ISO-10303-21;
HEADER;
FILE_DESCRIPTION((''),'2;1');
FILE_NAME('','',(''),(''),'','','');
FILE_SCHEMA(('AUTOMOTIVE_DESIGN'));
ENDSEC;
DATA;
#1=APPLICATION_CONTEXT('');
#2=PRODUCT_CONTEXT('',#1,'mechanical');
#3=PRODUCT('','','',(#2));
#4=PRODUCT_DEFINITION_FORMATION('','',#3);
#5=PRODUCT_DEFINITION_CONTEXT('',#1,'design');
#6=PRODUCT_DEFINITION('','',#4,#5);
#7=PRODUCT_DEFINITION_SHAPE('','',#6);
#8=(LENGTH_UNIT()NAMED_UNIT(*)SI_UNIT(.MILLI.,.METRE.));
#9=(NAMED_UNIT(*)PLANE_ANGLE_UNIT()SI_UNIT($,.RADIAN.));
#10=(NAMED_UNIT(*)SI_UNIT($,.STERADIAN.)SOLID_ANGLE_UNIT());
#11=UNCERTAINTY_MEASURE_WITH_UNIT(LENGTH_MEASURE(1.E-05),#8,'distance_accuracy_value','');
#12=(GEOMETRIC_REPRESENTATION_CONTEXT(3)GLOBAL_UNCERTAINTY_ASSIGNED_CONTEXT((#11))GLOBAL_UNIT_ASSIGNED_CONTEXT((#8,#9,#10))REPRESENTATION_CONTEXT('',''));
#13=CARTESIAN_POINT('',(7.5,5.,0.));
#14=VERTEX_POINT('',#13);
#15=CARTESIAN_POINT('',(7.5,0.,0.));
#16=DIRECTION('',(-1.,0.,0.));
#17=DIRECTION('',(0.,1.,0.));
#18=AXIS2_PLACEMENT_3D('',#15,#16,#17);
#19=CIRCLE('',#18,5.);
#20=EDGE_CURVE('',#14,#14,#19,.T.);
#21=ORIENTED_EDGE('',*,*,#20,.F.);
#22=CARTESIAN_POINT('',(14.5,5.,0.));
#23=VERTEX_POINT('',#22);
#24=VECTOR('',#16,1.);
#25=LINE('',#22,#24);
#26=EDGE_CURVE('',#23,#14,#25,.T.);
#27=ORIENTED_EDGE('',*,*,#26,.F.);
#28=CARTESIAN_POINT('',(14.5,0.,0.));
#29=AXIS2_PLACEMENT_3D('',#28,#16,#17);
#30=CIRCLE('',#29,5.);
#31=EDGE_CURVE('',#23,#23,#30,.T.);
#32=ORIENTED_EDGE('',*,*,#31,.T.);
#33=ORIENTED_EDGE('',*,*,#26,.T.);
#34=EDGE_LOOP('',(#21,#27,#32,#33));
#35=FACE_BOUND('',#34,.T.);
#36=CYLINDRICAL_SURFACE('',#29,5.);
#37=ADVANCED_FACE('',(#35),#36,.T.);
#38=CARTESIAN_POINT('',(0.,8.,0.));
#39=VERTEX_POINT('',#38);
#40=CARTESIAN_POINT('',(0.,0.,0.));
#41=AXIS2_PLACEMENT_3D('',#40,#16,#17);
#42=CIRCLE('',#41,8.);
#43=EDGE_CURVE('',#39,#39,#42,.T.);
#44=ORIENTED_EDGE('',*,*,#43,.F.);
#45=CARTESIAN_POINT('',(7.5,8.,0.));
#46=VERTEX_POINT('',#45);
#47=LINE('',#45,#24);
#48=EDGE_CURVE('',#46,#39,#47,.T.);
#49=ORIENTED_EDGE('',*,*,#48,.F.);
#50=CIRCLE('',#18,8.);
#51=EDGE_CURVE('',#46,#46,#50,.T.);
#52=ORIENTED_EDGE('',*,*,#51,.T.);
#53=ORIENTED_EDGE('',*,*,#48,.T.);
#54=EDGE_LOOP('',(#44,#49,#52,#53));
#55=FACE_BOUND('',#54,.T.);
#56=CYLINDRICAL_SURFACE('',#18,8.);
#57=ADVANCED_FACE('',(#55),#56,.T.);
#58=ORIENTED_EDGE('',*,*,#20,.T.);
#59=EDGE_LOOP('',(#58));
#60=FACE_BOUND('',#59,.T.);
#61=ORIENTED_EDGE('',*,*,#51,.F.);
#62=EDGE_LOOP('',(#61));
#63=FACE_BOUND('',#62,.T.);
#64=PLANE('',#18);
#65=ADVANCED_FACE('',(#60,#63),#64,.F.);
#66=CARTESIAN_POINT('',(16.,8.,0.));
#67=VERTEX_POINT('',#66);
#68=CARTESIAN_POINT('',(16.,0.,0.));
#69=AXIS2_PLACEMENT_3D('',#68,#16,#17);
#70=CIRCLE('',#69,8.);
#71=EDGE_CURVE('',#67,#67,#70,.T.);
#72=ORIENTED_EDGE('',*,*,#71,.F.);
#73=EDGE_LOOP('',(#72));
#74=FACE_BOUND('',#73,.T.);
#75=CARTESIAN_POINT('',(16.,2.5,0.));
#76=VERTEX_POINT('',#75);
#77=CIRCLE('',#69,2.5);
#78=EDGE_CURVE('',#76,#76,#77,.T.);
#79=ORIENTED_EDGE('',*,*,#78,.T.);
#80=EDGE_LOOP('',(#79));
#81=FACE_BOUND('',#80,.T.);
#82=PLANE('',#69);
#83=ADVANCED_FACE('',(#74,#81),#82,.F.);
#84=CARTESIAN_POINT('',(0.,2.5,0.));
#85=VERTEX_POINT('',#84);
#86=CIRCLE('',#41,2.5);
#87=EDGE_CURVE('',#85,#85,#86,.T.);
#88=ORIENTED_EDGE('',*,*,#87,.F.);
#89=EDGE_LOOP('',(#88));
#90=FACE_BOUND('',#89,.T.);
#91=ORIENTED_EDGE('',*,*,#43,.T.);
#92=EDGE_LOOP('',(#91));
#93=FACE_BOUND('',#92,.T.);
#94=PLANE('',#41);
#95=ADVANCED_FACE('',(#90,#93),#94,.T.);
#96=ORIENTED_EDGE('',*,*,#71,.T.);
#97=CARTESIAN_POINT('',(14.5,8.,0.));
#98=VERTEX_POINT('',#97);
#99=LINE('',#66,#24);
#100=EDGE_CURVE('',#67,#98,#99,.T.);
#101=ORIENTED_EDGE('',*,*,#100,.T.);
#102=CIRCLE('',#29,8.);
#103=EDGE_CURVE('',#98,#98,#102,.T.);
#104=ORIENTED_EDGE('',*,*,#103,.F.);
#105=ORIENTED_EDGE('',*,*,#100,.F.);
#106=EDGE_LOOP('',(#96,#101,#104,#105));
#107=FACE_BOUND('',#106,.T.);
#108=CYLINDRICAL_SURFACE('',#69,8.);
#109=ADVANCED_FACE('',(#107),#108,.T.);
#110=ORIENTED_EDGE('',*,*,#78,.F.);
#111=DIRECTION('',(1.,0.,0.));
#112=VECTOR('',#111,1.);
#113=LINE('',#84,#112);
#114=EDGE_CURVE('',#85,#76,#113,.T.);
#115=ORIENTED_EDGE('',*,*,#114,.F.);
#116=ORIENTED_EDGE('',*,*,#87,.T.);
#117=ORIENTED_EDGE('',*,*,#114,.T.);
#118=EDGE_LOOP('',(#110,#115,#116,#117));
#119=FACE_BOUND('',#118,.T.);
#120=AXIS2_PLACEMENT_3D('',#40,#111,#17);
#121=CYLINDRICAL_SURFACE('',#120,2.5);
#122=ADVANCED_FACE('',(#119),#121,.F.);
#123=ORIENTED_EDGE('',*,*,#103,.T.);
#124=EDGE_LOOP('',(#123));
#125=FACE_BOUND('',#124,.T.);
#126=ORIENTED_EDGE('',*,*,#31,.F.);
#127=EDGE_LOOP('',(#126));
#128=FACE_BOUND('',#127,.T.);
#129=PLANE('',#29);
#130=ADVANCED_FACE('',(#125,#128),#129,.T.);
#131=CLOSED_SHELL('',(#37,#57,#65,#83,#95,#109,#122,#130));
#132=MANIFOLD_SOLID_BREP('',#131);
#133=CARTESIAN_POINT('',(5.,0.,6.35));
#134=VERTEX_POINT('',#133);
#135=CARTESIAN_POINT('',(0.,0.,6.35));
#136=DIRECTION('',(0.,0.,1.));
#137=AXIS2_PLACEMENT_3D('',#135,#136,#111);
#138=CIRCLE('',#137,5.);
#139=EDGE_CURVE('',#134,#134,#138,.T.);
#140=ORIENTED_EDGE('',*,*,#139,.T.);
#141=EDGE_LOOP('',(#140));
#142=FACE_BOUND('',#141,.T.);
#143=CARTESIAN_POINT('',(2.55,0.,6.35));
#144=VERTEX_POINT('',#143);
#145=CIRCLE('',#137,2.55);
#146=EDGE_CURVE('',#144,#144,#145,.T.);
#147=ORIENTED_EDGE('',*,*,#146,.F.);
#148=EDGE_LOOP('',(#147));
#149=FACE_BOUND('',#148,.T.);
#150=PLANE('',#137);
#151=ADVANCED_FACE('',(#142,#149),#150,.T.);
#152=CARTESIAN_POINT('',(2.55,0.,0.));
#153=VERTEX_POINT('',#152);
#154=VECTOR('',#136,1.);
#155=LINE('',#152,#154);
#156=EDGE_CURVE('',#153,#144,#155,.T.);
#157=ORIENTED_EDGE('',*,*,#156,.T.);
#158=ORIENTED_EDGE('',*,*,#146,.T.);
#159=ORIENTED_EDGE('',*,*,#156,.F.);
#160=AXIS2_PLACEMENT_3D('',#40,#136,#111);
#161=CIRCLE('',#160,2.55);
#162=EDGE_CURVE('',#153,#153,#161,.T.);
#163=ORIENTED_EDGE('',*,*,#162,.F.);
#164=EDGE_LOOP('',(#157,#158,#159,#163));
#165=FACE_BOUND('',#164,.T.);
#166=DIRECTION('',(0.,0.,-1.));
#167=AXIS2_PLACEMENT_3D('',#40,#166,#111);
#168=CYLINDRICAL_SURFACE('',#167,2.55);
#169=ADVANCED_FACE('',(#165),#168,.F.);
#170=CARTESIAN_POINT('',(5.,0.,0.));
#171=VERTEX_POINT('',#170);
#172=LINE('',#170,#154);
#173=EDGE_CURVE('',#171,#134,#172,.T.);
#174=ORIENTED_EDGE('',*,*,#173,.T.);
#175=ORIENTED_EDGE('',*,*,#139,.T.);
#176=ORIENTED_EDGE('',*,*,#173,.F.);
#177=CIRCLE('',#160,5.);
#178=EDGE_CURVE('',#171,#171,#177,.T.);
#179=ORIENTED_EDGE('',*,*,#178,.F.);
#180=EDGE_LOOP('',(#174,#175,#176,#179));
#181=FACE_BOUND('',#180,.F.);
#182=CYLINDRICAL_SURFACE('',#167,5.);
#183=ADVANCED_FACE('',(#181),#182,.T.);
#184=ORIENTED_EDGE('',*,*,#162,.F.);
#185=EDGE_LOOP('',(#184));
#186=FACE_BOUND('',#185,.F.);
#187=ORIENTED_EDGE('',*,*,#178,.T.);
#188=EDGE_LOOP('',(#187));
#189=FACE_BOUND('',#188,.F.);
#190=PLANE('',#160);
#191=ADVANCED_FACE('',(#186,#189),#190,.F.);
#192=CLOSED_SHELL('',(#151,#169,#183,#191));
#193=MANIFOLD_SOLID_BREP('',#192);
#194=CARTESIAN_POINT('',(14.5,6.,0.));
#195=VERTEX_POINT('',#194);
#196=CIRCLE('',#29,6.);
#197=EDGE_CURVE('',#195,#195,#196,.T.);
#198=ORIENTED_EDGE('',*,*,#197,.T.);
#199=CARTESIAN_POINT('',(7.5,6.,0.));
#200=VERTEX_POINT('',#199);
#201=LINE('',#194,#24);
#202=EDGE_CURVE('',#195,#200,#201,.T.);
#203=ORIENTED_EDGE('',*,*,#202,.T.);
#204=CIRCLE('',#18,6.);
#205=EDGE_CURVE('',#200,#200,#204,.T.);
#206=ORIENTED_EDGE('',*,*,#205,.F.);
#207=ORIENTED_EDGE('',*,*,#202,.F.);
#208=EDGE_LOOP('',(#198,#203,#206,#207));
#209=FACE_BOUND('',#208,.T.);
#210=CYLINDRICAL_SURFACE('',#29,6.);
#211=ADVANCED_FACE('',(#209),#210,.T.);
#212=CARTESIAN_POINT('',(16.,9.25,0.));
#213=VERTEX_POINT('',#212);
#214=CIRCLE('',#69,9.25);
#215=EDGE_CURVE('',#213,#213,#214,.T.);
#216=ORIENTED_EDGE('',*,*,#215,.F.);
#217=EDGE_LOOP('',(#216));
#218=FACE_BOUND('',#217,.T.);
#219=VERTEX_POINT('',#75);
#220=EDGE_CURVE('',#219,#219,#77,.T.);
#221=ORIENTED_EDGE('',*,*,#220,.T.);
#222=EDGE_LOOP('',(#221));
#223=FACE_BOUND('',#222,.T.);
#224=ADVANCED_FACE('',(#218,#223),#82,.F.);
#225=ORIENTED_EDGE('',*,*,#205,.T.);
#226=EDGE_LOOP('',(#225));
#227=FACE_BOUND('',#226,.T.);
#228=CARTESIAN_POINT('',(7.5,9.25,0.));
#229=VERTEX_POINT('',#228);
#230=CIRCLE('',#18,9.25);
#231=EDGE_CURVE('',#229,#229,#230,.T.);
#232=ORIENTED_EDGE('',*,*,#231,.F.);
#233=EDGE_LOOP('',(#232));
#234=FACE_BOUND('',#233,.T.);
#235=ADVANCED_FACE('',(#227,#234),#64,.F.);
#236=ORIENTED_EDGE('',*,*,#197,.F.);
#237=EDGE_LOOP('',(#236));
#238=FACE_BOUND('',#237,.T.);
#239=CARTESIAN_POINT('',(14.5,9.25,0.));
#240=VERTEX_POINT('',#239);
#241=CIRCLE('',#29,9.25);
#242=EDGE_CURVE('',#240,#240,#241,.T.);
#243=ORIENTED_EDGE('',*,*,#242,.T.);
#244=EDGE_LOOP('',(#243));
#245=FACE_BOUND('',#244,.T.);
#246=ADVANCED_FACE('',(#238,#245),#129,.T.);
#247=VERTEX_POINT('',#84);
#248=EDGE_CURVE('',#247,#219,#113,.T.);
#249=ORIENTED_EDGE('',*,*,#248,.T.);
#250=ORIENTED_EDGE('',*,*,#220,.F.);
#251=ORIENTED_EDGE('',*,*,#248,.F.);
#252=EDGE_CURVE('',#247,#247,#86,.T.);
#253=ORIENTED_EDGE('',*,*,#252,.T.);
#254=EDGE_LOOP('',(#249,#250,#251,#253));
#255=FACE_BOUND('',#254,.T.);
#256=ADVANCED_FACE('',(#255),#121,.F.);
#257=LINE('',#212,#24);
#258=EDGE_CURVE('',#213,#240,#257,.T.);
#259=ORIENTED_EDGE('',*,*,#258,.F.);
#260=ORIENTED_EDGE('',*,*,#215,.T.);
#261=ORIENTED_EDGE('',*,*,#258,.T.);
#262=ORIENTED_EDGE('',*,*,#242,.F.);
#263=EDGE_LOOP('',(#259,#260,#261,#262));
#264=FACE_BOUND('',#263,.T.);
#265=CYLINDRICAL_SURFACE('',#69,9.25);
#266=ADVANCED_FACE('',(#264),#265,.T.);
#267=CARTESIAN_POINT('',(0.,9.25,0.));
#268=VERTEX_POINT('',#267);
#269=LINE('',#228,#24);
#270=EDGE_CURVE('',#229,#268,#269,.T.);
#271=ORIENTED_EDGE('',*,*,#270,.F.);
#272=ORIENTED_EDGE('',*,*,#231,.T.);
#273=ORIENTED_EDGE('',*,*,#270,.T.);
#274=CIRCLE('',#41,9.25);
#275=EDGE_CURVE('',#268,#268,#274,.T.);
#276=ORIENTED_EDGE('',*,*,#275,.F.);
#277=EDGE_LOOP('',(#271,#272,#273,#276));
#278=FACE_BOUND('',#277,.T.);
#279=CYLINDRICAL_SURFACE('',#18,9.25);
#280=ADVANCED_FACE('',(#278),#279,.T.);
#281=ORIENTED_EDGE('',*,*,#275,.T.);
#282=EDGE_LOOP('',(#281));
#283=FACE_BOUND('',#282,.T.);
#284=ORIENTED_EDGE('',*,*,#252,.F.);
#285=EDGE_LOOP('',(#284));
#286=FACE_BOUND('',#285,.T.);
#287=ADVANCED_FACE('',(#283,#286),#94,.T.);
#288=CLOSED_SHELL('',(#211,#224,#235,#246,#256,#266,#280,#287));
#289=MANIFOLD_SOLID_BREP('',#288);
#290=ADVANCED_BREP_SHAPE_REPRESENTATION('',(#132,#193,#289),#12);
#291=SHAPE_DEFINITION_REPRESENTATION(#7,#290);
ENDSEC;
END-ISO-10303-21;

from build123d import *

# Parameters (mm, degrees)
F4_R     = 5
F4_R_2   = 2.55
F5_DEPTH = 6.35


with BuildPart() as f1:
    # F0 (on Top) → F1 (revolve)
    with BuildSketch(Plane.XY):
        Polygon((0, 8), (0, 2.5), (16, 2.5), (16, 8), (14.5, 8), (14.5, 5), (7.5, 5), (7.5, 8), align=None)
    revolve(axis=Axis((-19.000001, 0, 0), (-1, 0, 0)))


with BuildPart() as f3:
    # F2 (on Top) → F3 (revolve)
    with BuildSketch(Plane.XY):
        Polygon((0, 9.25), (0, 2.5), (16, 2.5), (16, 9.25), (14.5, 9.25), (14.5, 6), (7.5, 6), (7.5, 9.25), align=None)
    revolve(axis=Axis((24.657246, 0, 0), (-1, 0, 0)))


with BuildPart() as f5:
    # F4 (on Top) → F5 (new body)
    with BuildSketch(Plane.XY):
        Circle(F4_R)
        Circle(F4_R_2, mode=Mode.SUBTRACT)
    extrude(amount=F5_DEPTH)


solid = Compound([f1.part, f3.part, f5.part])
